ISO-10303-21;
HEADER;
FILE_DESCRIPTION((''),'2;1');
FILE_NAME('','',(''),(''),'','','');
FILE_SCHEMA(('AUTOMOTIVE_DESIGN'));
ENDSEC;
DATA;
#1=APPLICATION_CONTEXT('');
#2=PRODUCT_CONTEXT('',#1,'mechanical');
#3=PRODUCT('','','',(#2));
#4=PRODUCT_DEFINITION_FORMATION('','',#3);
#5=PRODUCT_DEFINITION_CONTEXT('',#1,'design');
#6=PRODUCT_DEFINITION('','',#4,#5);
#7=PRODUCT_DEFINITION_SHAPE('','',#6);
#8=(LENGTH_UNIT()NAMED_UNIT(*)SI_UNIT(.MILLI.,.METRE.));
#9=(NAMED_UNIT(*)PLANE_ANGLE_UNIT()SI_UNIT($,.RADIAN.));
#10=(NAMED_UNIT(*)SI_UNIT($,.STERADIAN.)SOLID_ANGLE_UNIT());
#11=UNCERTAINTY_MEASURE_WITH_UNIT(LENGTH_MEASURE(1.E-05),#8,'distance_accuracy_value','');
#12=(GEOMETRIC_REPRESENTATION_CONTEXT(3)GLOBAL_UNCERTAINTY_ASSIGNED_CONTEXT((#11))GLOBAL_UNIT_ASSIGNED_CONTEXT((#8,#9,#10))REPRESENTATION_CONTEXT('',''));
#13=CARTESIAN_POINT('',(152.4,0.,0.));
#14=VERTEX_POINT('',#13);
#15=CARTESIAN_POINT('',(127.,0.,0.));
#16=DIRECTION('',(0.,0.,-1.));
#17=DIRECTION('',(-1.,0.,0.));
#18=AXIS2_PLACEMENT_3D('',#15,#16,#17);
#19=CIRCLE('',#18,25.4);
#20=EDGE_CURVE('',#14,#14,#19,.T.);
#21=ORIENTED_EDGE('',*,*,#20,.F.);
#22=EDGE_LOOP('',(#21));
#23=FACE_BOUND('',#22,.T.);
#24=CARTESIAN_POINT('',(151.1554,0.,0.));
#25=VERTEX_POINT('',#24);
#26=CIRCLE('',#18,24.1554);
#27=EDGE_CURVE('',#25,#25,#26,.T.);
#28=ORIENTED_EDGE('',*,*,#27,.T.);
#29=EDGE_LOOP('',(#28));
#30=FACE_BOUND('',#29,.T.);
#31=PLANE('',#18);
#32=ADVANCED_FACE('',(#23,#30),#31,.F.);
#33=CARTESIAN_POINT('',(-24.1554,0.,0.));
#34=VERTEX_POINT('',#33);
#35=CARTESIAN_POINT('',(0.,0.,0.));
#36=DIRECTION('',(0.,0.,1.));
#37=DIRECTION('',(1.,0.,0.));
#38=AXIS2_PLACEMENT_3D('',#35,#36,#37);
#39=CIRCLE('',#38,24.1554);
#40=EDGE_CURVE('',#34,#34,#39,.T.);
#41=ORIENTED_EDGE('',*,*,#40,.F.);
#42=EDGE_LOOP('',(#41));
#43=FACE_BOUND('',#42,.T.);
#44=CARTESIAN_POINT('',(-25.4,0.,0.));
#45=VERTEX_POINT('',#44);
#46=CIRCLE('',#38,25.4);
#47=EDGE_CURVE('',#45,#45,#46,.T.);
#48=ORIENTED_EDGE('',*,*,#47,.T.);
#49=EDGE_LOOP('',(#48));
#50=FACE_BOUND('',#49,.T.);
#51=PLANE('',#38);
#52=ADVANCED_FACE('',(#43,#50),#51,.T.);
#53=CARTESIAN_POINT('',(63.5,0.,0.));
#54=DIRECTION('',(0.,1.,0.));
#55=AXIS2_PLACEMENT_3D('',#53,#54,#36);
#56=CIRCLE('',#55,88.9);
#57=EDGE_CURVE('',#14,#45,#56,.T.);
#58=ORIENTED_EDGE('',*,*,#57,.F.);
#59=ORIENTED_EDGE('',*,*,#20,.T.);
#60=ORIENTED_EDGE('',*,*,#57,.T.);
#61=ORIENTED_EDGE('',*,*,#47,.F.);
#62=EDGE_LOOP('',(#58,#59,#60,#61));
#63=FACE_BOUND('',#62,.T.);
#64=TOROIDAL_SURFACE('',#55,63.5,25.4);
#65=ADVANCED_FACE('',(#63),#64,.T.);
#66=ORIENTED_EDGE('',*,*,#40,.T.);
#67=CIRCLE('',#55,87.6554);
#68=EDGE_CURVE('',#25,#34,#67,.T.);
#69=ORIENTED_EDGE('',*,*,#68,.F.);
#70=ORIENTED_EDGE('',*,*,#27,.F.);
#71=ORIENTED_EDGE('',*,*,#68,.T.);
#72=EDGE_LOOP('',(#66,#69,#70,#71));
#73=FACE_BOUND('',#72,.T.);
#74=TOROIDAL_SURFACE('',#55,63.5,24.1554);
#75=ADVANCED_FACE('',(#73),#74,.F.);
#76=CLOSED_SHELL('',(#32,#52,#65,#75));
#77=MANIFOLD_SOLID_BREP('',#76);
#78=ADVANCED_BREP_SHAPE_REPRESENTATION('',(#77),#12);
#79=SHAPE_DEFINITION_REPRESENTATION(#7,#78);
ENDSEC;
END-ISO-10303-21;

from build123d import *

# Parameters (mm, degrees)
SKETCH2_R   = 25.4
SKETCH2_R_2 = 24.1554


with BuildPart() as part:
    # Sweep1: sweep along a path in Sketch3
    with BuildLine(Plane(origin=(0, 0, 0), x_dir=(1, 0, 0), z_dir=(0, 1, 0))) as sweep1_path:
        ThreePointArc((0, 0), (63.5, 63.5), (127, 0))
    # Sketch2 → Sweep1 (sweep)
    with BuildSketch(Plane.XY):
        Circle(SKETCH2_R)
        Circle(SKETCH2_R_2, mode=Mode.SUBTRACT)
    sweep(path=sweep1_path.line)


solid = part.part
